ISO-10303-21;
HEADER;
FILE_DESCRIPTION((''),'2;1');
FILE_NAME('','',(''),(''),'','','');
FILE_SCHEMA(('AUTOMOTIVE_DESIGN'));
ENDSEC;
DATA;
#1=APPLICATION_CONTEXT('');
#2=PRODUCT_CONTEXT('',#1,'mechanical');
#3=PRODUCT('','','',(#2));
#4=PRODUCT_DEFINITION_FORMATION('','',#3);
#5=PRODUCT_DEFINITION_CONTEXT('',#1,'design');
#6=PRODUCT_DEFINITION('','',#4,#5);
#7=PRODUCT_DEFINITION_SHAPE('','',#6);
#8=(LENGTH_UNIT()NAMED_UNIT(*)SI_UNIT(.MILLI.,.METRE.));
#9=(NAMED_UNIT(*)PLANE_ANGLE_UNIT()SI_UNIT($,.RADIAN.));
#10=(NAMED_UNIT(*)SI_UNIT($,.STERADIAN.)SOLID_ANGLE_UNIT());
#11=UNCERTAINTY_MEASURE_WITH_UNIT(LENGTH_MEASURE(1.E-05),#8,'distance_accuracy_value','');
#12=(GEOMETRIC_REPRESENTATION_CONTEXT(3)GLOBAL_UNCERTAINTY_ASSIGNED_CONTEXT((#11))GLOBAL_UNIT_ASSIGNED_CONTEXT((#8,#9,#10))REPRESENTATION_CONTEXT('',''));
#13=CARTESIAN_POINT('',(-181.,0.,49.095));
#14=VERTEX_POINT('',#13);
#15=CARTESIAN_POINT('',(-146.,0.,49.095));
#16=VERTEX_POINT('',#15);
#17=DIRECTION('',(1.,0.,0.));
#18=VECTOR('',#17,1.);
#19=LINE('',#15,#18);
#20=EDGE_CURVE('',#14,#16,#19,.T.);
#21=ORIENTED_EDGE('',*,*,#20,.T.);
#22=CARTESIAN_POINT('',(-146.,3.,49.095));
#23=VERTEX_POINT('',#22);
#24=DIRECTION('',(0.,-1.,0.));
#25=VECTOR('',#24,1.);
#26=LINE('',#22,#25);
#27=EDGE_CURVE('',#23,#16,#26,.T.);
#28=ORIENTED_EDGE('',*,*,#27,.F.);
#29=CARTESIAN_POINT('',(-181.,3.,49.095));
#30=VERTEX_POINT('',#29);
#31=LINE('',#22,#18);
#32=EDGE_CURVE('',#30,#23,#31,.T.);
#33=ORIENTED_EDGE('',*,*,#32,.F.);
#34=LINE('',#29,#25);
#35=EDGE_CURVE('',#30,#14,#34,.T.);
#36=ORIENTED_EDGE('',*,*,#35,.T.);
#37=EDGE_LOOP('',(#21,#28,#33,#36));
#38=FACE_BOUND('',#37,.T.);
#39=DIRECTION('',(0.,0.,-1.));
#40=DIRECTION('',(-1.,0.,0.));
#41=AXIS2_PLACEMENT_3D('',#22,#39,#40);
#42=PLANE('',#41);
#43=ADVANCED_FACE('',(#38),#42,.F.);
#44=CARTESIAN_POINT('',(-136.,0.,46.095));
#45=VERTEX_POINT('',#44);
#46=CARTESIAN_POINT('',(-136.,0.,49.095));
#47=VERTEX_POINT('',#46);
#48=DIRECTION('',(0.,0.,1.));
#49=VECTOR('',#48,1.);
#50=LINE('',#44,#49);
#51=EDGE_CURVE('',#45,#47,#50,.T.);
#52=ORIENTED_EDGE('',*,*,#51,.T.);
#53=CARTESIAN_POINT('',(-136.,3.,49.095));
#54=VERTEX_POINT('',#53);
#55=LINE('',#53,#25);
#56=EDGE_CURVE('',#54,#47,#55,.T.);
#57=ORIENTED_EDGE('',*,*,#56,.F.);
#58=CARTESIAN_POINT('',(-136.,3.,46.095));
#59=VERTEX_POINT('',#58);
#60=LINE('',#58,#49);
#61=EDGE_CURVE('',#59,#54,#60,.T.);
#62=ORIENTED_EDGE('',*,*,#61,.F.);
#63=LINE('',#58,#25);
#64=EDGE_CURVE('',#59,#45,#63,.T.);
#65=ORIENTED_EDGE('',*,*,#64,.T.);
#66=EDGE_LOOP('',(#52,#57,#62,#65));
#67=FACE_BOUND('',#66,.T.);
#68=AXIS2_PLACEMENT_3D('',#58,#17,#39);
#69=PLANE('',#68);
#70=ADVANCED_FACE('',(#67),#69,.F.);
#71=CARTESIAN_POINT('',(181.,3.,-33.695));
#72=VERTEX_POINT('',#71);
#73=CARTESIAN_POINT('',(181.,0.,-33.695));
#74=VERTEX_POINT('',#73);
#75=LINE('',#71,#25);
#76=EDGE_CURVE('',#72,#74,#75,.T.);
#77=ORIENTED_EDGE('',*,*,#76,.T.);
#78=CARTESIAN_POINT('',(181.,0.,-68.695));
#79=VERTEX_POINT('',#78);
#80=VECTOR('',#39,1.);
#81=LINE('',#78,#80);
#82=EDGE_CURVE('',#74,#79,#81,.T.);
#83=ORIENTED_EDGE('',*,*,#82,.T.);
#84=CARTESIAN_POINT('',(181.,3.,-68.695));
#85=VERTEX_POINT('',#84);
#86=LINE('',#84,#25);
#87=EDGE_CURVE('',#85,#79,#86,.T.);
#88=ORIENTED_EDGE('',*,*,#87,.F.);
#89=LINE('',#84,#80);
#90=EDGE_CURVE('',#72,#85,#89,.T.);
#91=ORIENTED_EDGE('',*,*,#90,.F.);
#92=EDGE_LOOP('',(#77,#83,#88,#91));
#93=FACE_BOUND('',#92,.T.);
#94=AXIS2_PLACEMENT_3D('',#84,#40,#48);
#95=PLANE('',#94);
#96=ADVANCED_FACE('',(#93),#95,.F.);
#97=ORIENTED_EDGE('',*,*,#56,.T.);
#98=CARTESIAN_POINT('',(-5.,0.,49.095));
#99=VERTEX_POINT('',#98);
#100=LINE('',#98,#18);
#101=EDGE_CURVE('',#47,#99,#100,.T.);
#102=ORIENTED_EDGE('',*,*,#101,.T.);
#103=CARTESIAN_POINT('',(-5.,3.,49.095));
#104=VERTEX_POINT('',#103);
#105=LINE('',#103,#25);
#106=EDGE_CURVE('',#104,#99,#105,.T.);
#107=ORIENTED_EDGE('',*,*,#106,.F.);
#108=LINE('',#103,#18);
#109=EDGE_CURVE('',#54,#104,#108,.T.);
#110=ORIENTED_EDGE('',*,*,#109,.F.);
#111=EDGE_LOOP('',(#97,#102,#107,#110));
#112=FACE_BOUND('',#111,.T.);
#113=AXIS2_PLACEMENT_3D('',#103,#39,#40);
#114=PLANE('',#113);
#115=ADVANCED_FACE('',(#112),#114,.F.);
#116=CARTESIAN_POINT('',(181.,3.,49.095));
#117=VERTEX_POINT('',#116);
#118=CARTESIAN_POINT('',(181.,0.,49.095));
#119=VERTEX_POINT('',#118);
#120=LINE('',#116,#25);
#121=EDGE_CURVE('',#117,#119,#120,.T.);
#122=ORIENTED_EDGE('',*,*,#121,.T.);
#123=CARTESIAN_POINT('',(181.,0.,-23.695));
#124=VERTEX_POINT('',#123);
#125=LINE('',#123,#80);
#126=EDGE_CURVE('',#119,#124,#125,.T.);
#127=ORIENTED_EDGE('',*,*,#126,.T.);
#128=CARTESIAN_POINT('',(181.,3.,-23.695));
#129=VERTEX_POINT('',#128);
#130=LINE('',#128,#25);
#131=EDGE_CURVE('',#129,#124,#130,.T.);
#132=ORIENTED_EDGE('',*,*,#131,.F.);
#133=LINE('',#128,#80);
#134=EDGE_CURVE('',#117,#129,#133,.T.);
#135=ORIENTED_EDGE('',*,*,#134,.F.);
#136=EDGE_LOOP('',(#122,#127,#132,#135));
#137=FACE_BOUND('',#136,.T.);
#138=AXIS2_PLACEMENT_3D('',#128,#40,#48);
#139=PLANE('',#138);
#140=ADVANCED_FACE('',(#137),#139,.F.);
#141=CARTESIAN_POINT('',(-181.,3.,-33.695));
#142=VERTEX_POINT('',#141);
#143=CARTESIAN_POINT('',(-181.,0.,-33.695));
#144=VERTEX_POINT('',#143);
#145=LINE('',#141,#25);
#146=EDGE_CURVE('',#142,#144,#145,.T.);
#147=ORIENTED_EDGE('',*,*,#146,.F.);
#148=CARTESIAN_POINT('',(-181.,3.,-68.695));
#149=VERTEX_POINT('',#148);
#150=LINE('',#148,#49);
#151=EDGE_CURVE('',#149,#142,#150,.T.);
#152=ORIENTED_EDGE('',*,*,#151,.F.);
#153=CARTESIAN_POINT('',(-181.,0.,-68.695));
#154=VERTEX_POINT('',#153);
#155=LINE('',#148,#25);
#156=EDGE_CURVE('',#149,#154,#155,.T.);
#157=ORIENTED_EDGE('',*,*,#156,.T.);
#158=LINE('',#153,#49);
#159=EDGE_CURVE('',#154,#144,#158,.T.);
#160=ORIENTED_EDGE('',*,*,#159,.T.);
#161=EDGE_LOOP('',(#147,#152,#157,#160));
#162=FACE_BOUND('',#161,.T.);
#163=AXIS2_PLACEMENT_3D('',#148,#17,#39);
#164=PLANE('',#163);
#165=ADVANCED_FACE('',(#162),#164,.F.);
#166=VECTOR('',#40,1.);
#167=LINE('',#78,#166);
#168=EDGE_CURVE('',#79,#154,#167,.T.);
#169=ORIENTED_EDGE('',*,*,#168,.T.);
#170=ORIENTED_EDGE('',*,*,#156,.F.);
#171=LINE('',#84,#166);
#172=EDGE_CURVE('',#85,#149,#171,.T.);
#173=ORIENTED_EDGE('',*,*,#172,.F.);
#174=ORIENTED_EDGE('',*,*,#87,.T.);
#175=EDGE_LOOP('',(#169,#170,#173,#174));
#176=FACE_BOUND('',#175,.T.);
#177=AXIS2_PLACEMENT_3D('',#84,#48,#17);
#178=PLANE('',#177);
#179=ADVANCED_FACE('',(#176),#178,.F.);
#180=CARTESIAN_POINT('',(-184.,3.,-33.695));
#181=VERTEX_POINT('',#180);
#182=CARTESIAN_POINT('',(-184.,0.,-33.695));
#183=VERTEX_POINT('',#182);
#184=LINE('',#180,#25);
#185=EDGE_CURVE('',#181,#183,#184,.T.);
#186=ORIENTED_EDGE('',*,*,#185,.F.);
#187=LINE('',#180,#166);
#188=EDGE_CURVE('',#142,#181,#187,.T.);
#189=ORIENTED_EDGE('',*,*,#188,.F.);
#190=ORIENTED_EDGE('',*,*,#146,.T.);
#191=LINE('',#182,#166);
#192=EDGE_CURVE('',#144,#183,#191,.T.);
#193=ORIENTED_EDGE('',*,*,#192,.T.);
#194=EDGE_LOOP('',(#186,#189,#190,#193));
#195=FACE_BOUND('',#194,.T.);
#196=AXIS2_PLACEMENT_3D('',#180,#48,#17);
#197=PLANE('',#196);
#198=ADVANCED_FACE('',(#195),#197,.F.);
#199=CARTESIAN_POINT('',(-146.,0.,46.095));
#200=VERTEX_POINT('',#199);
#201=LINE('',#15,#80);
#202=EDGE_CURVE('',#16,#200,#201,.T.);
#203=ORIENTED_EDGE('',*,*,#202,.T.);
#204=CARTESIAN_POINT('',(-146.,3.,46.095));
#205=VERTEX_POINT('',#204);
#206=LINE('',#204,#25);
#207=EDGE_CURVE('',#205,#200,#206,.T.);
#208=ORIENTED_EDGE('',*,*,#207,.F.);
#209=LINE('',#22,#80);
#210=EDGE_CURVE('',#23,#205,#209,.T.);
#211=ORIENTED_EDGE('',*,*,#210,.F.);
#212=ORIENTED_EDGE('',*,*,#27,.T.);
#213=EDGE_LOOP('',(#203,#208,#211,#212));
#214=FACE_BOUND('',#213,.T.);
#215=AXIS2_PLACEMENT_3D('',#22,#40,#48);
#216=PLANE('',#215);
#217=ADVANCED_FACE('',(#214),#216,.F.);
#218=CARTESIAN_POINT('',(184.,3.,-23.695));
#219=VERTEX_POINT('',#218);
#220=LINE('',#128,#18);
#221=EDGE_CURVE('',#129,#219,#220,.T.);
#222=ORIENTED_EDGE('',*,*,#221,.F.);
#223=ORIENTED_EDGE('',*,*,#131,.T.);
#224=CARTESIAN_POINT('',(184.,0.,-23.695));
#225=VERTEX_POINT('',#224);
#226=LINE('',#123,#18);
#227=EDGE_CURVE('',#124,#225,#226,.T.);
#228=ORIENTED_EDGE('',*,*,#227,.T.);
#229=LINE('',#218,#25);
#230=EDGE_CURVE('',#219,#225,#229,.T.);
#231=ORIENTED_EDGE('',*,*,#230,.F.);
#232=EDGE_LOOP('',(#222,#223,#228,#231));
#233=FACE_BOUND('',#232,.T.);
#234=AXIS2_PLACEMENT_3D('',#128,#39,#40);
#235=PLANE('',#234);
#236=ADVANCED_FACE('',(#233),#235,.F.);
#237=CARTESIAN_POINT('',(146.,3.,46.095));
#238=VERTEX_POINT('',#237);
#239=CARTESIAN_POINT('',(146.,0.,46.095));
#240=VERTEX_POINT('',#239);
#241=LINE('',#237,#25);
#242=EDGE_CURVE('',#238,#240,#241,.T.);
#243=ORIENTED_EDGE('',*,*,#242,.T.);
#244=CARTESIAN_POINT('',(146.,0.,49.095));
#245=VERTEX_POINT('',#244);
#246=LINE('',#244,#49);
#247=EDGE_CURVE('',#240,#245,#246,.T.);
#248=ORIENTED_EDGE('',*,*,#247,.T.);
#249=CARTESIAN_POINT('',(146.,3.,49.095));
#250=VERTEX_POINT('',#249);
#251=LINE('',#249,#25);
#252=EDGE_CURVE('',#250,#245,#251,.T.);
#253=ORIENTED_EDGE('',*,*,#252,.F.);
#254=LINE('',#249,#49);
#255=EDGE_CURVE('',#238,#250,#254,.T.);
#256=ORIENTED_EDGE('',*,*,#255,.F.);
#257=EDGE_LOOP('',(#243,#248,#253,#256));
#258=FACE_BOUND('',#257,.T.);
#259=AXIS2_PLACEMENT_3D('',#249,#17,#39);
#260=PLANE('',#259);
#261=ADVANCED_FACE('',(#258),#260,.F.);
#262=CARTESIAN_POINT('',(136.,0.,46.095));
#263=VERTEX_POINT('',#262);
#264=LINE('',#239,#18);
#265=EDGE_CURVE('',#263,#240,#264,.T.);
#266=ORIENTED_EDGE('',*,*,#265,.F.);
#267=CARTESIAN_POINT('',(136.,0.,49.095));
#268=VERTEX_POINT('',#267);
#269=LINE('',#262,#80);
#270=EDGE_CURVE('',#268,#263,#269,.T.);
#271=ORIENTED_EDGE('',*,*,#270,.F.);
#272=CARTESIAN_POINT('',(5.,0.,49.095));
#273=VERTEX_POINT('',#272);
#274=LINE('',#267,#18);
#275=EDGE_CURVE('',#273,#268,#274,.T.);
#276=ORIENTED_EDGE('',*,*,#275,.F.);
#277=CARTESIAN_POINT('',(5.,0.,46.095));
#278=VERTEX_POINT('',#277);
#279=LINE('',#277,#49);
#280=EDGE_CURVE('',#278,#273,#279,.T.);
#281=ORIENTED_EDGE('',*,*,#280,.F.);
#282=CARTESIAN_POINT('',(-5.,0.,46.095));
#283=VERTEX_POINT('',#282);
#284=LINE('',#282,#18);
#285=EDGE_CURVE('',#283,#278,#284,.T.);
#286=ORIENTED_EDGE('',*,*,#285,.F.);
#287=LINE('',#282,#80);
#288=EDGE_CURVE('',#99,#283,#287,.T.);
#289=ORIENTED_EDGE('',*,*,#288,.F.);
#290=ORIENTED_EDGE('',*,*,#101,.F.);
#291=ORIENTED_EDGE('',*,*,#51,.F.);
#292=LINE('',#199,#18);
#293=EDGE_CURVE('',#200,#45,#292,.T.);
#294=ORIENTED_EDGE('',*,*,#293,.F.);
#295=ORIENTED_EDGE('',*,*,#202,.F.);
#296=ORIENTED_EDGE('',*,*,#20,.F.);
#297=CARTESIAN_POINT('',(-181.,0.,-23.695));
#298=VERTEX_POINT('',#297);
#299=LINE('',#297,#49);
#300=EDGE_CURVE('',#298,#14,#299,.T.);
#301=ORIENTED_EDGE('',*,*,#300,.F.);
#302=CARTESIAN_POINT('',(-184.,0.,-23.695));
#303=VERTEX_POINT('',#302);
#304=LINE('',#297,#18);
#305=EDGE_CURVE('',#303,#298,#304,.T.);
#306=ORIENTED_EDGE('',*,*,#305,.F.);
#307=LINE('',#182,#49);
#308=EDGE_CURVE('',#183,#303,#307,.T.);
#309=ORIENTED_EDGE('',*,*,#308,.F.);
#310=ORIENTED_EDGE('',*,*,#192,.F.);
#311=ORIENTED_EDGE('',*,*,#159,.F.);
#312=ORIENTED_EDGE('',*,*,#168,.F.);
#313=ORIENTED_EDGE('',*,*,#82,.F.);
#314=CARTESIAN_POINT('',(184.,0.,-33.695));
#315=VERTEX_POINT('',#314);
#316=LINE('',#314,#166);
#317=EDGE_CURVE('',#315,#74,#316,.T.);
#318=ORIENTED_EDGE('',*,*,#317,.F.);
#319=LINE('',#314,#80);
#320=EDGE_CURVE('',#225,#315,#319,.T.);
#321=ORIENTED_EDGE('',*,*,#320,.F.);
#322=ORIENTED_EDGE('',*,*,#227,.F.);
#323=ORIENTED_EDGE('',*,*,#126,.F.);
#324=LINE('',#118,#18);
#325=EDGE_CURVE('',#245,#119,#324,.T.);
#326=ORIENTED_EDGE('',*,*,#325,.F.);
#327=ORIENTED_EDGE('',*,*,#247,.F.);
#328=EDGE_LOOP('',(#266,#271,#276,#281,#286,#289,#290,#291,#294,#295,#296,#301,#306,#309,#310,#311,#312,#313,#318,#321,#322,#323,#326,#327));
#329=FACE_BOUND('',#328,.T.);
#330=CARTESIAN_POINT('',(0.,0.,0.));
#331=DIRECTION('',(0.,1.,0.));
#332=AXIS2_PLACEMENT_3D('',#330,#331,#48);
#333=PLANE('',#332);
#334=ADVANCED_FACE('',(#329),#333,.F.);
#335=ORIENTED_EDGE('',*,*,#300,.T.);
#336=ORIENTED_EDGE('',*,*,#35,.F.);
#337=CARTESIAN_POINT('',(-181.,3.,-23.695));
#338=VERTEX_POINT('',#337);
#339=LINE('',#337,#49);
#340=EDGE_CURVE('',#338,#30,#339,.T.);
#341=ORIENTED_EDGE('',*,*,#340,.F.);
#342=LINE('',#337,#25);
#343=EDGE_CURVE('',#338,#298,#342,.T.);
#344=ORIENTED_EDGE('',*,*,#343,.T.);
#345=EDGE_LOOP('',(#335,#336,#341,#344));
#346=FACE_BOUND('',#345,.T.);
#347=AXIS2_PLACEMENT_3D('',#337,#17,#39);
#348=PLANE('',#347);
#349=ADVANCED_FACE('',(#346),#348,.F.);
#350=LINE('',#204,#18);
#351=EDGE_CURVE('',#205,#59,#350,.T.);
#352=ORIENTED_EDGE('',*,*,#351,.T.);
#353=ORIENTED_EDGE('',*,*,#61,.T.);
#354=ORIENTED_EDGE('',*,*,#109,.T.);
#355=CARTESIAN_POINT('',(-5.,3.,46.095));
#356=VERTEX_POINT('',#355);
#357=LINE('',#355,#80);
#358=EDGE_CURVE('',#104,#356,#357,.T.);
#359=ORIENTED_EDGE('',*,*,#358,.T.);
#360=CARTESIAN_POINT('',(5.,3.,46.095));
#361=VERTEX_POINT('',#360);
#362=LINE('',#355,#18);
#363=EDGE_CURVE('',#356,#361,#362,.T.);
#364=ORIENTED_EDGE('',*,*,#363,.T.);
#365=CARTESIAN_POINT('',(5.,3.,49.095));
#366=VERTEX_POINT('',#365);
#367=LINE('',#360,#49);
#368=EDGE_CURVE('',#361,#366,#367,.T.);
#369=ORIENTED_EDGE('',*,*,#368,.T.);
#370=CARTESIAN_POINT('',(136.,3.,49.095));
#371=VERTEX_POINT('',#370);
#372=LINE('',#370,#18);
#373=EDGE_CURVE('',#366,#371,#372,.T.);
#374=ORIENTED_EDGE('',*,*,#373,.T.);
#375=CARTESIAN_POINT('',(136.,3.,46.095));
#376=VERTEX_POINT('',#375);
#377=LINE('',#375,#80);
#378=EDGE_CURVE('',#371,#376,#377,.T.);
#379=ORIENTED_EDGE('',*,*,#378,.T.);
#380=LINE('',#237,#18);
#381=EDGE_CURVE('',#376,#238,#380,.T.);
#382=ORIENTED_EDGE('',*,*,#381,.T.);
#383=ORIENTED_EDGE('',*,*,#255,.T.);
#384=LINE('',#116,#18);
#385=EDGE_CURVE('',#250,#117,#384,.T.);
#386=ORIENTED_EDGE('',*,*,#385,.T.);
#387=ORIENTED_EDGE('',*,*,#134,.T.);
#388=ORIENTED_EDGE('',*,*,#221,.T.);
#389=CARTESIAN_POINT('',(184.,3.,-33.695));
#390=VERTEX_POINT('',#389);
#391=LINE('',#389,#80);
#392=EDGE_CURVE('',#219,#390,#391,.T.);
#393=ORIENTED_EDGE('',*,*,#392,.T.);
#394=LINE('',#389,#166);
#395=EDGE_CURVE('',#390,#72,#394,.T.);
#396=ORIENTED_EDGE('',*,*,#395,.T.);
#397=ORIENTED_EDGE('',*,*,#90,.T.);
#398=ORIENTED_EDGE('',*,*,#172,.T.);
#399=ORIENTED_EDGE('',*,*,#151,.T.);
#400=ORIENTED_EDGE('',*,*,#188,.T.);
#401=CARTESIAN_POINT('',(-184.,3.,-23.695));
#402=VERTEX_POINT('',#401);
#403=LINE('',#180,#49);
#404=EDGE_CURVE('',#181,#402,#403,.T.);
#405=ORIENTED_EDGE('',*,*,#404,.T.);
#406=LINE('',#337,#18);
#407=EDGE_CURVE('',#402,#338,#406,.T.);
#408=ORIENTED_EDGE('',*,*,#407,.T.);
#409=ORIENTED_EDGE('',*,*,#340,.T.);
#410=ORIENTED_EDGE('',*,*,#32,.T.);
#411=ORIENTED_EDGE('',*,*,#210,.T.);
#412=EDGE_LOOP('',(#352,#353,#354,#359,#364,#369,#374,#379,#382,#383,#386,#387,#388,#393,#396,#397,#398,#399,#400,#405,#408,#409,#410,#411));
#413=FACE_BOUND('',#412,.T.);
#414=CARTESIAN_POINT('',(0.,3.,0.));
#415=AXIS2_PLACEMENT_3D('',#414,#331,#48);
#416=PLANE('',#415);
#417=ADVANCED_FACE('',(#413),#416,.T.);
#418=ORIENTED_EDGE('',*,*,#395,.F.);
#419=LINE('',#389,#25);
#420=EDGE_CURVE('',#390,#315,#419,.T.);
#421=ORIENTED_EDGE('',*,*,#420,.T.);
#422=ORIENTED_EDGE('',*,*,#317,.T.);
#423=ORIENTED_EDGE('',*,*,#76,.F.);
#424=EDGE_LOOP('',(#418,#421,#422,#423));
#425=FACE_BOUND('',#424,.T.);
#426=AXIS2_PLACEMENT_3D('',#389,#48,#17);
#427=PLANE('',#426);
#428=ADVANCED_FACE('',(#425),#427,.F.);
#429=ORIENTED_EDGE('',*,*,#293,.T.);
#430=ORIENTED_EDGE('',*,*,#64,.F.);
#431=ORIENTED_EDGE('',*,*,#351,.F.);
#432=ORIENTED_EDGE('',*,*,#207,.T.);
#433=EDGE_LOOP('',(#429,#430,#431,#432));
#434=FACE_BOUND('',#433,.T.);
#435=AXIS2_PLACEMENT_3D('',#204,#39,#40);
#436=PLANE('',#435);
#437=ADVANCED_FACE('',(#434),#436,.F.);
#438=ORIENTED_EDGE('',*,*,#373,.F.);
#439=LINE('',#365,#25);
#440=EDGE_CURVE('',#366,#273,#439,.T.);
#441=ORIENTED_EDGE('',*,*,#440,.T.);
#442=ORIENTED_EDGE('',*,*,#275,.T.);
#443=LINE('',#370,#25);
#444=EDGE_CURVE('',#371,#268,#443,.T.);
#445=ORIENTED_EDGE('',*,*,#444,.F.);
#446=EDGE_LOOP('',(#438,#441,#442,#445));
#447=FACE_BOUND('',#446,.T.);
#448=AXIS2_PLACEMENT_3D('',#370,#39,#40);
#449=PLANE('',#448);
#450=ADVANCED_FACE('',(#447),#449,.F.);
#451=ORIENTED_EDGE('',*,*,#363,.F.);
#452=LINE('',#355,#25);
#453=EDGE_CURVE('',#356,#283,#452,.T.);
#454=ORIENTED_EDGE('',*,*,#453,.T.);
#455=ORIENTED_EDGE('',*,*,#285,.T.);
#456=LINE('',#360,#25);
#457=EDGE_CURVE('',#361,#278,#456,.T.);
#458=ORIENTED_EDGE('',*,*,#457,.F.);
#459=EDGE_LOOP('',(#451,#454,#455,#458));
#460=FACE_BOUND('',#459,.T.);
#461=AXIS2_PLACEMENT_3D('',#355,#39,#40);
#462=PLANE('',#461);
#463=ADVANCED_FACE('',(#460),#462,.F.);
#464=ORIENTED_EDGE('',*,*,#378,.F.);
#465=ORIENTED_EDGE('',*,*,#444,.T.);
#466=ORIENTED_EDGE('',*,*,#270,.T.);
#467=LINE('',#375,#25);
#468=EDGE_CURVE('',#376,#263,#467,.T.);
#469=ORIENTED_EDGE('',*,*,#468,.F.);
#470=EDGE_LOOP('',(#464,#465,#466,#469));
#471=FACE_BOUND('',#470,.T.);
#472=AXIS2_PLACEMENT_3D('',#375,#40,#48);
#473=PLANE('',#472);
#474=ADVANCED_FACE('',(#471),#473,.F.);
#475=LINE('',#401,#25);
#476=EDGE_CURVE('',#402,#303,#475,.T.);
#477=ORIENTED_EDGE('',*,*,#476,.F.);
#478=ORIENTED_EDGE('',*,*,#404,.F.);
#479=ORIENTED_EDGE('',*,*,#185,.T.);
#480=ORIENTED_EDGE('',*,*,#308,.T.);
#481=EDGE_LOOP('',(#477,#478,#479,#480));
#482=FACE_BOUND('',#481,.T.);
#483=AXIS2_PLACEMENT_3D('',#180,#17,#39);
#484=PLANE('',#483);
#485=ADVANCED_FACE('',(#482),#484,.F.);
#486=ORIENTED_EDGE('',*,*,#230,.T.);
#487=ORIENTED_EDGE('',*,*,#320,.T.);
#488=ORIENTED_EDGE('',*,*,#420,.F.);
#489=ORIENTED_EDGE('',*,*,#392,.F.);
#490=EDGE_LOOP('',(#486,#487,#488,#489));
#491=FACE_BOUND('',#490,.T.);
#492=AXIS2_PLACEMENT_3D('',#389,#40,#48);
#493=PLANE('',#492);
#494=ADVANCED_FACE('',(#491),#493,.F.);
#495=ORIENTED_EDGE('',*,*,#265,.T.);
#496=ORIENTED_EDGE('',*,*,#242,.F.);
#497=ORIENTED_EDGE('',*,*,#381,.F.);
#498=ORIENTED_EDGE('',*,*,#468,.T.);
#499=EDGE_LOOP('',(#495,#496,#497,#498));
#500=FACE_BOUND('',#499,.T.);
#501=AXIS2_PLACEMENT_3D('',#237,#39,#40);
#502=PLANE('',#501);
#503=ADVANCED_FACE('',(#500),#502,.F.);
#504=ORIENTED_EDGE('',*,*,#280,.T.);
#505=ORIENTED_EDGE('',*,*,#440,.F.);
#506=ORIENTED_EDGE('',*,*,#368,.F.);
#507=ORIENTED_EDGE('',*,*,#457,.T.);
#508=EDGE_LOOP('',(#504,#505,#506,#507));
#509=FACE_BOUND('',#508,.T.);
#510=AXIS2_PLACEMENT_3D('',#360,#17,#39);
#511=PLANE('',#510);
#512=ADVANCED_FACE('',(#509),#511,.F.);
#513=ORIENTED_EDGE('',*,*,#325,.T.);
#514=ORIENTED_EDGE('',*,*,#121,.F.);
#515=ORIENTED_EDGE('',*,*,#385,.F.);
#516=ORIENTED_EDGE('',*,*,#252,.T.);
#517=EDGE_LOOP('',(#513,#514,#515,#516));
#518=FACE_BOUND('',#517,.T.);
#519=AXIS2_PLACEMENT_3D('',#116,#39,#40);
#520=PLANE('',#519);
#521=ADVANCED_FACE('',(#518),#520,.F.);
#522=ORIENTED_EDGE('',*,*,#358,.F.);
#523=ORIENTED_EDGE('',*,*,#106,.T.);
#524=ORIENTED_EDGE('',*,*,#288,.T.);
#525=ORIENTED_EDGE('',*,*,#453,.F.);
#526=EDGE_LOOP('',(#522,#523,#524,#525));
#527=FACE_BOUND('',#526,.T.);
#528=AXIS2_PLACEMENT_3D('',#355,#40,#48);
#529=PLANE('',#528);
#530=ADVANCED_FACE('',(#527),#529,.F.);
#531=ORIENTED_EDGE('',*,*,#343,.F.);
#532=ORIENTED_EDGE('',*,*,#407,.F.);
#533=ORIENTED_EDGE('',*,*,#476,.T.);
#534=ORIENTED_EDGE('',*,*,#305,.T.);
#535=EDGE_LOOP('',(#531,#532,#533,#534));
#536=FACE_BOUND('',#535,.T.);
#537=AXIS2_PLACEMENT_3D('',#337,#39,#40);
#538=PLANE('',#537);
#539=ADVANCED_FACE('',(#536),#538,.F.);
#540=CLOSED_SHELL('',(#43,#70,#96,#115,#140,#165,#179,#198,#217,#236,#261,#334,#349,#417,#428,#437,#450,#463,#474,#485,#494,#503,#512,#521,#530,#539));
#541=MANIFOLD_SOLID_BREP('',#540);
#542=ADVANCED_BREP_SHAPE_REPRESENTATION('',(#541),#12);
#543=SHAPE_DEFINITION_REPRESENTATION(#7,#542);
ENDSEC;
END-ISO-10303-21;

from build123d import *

# Parameters (mm, degrees)
BOSS_EXTRUDE1_DEPTH = 3


with BuildPart() as part:
    # Sketch1 → Boss-Extrude1 (new body)
    with BuildSketch(Plane(origin=(0, 0, 0), x_dir=(1, 0, 0), z_dir=(0, 1, 0))):
        Polygon((-184, 33.695), (-181, 33.695), (-181, 68.695), (181, 68.695), (181, 33.695), (184, 33.695), (184, 23.695), (181, 23.695), (181, -49.095), (146, -49.095), (146, -46.095), (136, -46.095), (136, -49.095), (5, -49.095), (5, -46.095), (-5, -46.095), (-5, -49.095), (-136, -49.095), (-136, -46.095), (-146, -46.095), (-146, -49.095), (-181, -49.095), (-181, 23.695), (-184, 23.695), align=None)
    extrude(amount=BOSS_EXTRUDE1_DEPTH)


solid = part.part
